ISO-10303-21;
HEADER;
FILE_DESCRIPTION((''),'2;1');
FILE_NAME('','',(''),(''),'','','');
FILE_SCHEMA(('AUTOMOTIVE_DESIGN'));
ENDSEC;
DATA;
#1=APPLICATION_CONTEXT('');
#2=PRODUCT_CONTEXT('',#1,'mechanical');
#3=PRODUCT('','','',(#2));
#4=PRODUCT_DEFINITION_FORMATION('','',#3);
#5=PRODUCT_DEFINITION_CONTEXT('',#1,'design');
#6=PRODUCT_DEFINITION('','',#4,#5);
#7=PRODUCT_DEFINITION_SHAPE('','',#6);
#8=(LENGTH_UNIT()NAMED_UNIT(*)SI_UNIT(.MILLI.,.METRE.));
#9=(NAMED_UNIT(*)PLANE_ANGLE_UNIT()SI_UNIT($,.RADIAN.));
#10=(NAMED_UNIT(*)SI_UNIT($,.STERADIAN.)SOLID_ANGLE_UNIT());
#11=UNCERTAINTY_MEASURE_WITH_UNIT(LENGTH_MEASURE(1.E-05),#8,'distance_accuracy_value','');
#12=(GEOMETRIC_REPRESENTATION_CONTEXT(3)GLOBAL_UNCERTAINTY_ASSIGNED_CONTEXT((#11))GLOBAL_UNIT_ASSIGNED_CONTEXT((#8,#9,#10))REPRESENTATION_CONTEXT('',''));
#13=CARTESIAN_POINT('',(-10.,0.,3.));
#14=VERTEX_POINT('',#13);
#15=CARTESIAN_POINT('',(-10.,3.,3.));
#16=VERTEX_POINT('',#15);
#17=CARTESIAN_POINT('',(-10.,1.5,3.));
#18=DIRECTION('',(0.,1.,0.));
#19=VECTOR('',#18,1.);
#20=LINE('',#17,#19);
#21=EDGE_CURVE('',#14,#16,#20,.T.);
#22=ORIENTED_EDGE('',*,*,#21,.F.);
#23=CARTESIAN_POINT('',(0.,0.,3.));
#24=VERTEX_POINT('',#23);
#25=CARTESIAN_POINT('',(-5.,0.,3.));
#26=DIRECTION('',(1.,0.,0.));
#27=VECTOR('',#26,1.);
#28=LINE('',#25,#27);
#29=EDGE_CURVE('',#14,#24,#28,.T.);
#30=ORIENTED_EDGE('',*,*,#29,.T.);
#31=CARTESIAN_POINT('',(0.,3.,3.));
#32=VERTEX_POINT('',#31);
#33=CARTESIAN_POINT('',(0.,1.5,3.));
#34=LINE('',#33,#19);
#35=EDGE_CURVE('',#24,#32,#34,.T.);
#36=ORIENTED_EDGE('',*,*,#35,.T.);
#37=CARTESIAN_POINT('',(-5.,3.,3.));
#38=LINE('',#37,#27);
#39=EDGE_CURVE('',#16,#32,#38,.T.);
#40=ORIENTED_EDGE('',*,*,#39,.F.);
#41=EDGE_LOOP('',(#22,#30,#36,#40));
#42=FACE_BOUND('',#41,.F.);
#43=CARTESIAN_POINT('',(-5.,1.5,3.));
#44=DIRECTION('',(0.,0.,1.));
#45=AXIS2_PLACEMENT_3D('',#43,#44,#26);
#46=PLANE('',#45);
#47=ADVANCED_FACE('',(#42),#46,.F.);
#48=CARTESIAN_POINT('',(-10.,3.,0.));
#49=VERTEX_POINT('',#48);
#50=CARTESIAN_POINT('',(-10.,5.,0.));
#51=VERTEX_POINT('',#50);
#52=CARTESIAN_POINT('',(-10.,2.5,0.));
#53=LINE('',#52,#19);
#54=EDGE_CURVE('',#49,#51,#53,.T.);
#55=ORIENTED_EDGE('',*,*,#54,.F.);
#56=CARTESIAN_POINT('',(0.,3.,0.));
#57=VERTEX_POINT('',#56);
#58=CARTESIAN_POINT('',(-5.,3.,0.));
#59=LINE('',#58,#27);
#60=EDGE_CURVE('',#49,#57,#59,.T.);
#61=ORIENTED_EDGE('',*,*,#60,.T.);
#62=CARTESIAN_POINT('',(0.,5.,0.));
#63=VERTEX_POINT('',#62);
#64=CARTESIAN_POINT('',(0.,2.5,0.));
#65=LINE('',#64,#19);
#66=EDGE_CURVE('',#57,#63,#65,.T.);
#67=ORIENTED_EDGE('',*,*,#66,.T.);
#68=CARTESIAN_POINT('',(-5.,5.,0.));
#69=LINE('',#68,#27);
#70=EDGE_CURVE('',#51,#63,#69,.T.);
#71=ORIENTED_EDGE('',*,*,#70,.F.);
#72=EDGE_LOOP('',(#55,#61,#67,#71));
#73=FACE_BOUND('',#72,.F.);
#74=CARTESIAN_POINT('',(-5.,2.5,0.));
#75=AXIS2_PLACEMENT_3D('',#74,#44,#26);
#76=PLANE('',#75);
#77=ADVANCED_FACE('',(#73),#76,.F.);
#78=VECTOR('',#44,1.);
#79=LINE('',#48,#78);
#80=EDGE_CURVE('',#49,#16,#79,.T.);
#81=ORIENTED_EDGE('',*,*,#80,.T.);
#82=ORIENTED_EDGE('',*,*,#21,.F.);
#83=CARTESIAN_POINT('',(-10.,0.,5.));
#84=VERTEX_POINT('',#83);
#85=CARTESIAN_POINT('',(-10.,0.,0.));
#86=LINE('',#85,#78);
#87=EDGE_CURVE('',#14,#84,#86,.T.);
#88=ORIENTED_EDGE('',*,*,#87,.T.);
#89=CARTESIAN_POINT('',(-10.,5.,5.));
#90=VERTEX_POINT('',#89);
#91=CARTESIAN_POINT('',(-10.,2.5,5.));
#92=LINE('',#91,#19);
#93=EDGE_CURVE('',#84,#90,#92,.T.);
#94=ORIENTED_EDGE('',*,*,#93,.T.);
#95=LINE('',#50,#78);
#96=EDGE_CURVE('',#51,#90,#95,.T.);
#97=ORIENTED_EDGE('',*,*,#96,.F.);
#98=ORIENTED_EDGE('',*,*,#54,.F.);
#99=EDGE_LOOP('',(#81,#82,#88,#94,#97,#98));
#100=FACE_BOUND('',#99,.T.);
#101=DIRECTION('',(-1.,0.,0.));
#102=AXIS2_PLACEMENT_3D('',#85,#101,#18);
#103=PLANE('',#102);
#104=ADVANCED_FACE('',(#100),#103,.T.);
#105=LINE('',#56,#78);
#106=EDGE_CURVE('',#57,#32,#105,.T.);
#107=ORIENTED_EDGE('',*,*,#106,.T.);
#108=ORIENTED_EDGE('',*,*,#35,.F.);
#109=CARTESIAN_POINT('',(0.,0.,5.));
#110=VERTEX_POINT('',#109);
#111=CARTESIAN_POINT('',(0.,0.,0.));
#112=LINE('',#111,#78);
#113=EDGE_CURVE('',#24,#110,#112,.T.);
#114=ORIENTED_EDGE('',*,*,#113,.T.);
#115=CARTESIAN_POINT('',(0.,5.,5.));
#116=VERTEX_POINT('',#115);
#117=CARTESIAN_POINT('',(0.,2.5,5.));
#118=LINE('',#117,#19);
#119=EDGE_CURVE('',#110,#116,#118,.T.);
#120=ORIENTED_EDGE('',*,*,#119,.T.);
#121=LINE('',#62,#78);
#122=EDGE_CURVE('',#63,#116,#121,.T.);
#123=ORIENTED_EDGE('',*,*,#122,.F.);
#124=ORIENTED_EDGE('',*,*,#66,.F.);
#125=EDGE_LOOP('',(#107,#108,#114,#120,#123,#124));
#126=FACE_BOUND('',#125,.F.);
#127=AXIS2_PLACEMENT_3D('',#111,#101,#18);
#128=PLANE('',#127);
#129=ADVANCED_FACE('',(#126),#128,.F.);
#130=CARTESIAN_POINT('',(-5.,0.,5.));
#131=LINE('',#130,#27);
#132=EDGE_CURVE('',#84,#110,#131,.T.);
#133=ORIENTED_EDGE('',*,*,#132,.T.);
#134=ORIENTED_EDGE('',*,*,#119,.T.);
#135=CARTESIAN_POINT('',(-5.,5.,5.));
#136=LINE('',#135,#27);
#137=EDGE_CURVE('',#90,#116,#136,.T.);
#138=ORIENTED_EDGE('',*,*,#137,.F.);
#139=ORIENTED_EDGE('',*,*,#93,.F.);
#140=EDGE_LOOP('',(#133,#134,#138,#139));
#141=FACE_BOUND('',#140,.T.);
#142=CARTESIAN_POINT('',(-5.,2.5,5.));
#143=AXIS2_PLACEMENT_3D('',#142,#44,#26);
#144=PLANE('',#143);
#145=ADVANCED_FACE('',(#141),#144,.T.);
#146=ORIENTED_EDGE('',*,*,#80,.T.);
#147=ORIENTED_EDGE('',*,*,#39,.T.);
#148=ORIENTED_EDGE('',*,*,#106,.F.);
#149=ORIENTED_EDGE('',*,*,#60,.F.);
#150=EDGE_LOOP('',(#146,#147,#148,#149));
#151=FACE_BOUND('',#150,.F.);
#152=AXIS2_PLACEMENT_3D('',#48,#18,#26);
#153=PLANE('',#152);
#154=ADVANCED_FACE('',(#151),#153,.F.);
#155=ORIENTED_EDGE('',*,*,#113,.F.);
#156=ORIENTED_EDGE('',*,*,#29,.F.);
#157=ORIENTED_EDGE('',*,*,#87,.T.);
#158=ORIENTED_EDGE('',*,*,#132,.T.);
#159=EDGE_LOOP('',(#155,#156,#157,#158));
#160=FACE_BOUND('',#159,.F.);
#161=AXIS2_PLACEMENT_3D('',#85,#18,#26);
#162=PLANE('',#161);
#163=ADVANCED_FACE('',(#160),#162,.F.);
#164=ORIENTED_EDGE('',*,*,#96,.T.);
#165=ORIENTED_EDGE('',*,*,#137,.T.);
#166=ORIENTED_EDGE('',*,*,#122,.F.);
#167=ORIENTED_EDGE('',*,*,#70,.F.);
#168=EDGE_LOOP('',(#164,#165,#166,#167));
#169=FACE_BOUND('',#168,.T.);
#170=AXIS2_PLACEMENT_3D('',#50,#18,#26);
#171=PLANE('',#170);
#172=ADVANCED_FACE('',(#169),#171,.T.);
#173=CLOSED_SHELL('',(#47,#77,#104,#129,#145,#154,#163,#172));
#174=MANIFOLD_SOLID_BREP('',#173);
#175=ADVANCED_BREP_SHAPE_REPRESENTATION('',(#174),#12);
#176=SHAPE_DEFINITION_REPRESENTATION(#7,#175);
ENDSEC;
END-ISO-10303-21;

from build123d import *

# Parameters (mm, degrees)
SKETCH_W     = 10
SKETCH_H     = 5
PAD_DEPTH    = 5
SKETCH001_W  = 10
SKETCH001_H  = 3
POCKET_DEPTH = 3


with BuildPart() as part:
    # Sketch → Pad (new body)
    with BuildSketch(Plane.XY):
        with Locations((-5, 2.5)):
            Rectangle(SKETCH_W, SKETCH_H)
    extrude(amount=PAD_DEPTH)

    # Sketch001 → Pocket (cut)
    with BuildSketch(Plane.XY):
        with Locations((-5, 1.5)):
            Rectangle(SKETCH001_W, SKETCH001_H)
    extrude(amount=POCKET_DEPTH, mode=Mode.SUBTRACT)


solid = part.part
